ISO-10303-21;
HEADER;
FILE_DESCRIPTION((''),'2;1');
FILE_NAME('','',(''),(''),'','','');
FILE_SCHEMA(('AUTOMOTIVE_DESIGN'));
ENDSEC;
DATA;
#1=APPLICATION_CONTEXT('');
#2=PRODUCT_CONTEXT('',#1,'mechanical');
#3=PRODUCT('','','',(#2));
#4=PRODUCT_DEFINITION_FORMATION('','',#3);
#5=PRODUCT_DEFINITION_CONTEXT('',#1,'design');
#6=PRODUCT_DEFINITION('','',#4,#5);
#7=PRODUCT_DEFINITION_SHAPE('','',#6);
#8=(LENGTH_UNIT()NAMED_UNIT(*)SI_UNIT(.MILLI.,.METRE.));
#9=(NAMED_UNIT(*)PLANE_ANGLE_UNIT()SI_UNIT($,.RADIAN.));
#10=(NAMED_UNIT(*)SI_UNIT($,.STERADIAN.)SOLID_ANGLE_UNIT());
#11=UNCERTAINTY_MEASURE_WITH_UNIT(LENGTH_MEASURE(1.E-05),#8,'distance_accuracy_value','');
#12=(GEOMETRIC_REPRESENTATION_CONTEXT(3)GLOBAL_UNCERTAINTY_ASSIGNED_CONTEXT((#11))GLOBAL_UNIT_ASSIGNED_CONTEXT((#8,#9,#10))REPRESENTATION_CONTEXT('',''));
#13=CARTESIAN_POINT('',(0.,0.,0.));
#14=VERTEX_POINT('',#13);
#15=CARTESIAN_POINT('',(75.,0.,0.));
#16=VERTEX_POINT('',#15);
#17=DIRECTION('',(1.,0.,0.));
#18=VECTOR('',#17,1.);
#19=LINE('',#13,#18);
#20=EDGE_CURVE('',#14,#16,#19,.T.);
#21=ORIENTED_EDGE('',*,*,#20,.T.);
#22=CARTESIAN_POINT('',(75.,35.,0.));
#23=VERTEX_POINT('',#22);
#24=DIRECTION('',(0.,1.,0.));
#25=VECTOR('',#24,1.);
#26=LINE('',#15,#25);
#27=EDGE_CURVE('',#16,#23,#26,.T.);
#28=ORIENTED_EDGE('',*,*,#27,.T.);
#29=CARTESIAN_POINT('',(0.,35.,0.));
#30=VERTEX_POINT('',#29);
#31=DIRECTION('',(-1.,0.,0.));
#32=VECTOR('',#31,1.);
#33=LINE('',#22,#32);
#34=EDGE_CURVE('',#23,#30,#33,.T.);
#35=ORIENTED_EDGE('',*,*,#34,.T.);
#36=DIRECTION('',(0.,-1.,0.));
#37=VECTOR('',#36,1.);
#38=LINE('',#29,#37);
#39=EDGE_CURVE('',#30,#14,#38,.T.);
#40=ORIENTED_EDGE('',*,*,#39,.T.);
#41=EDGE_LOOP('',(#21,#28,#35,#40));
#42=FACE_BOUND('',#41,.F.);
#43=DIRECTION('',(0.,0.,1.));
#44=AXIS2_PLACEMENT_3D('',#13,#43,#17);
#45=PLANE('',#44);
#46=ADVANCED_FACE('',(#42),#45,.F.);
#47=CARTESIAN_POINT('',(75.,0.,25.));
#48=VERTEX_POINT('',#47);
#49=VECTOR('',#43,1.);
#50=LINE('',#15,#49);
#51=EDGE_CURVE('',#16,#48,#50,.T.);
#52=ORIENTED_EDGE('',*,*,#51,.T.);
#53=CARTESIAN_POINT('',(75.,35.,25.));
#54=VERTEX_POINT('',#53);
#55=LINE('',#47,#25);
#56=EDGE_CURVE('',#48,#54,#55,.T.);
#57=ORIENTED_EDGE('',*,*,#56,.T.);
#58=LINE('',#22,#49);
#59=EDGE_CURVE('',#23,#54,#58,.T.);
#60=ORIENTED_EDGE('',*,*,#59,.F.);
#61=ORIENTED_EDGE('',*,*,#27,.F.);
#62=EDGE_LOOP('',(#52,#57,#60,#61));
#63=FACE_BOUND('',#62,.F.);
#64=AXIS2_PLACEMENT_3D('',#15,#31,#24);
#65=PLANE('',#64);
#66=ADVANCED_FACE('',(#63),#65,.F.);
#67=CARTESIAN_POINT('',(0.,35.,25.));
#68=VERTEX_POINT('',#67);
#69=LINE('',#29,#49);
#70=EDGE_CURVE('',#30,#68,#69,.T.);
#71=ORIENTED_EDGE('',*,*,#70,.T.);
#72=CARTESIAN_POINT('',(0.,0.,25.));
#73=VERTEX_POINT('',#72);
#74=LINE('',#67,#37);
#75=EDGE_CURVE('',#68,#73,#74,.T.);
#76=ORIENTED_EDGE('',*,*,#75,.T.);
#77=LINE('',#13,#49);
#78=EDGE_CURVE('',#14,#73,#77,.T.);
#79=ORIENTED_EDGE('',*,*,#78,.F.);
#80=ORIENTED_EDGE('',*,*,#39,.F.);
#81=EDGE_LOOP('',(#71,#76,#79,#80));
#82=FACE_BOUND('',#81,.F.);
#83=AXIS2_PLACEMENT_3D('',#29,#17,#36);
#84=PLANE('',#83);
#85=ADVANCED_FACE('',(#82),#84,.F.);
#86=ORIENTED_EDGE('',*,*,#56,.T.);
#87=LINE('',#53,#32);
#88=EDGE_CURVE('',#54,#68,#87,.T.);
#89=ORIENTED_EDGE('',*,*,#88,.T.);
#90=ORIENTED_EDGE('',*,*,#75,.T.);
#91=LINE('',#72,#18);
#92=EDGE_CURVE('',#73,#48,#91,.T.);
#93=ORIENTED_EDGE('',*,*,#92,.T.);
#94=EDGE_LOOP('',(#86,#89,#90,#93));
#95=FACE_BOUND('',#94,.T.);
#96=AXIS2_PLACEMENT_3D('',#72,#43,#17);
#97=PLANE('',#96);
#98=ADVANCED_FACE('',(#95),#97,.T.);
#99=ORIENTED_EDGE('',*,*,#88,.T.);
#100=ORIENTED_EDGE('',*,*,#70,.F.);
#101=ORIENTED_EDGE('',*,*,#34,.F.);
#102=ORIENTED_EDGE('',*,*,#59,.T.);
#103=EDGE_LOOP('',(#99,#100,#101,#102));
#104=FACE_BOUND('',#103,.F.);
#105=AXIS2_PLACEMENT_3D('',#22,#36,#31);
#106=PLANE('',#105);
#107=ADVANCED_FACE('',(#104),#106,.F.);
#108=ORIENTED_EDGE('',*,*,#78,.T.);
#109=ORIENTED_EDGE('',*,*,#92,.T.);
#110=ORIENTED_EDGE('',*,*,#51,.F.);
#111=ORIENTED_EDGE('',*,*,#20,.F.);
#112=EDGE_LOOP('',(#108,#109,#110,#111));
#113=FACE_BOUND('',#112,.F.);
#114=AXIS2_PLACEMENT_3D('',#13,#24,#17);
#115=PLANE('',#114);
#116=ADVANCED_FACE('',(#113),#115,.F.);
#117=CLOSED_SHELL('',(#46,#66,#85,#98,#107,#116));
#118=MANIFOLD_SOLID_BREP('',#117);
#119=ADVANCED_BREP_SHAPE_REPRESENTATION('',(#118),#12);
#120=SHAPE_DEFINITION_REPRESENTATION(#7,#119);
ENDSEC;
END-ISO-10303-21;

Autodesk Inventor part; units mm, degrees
ref_plane "YZ Plane" through (0, 0, 0) normal (1, 0, 0) x (0, 1, 0)
ref_plane "XZ Plane" through (0, 0, 0) normal (0, 1, 0) x (-1, 0, 0)
ref_plane "XY Plane" through (0, 0, 0) normal (0, 0, 1) x (1, 0, 0)
sketch "Sketch1" plane through (0, 0, 0) normal (0, 0, 1) x (1, 0, 0)
  line L0 (0, 0) -> (75, 0)
  line L1 (75, 0) -> (75, 35)
  line L2 (75, 35) -> (0, 35)
  line L3 (0, 35) -> (0, 0)
  dimension "d0" = 75
  dimension "d1" = 35
extrude "Extrusion1" add sketch "Sketch1" along normal blind 25
properties part number "batterycomp"
